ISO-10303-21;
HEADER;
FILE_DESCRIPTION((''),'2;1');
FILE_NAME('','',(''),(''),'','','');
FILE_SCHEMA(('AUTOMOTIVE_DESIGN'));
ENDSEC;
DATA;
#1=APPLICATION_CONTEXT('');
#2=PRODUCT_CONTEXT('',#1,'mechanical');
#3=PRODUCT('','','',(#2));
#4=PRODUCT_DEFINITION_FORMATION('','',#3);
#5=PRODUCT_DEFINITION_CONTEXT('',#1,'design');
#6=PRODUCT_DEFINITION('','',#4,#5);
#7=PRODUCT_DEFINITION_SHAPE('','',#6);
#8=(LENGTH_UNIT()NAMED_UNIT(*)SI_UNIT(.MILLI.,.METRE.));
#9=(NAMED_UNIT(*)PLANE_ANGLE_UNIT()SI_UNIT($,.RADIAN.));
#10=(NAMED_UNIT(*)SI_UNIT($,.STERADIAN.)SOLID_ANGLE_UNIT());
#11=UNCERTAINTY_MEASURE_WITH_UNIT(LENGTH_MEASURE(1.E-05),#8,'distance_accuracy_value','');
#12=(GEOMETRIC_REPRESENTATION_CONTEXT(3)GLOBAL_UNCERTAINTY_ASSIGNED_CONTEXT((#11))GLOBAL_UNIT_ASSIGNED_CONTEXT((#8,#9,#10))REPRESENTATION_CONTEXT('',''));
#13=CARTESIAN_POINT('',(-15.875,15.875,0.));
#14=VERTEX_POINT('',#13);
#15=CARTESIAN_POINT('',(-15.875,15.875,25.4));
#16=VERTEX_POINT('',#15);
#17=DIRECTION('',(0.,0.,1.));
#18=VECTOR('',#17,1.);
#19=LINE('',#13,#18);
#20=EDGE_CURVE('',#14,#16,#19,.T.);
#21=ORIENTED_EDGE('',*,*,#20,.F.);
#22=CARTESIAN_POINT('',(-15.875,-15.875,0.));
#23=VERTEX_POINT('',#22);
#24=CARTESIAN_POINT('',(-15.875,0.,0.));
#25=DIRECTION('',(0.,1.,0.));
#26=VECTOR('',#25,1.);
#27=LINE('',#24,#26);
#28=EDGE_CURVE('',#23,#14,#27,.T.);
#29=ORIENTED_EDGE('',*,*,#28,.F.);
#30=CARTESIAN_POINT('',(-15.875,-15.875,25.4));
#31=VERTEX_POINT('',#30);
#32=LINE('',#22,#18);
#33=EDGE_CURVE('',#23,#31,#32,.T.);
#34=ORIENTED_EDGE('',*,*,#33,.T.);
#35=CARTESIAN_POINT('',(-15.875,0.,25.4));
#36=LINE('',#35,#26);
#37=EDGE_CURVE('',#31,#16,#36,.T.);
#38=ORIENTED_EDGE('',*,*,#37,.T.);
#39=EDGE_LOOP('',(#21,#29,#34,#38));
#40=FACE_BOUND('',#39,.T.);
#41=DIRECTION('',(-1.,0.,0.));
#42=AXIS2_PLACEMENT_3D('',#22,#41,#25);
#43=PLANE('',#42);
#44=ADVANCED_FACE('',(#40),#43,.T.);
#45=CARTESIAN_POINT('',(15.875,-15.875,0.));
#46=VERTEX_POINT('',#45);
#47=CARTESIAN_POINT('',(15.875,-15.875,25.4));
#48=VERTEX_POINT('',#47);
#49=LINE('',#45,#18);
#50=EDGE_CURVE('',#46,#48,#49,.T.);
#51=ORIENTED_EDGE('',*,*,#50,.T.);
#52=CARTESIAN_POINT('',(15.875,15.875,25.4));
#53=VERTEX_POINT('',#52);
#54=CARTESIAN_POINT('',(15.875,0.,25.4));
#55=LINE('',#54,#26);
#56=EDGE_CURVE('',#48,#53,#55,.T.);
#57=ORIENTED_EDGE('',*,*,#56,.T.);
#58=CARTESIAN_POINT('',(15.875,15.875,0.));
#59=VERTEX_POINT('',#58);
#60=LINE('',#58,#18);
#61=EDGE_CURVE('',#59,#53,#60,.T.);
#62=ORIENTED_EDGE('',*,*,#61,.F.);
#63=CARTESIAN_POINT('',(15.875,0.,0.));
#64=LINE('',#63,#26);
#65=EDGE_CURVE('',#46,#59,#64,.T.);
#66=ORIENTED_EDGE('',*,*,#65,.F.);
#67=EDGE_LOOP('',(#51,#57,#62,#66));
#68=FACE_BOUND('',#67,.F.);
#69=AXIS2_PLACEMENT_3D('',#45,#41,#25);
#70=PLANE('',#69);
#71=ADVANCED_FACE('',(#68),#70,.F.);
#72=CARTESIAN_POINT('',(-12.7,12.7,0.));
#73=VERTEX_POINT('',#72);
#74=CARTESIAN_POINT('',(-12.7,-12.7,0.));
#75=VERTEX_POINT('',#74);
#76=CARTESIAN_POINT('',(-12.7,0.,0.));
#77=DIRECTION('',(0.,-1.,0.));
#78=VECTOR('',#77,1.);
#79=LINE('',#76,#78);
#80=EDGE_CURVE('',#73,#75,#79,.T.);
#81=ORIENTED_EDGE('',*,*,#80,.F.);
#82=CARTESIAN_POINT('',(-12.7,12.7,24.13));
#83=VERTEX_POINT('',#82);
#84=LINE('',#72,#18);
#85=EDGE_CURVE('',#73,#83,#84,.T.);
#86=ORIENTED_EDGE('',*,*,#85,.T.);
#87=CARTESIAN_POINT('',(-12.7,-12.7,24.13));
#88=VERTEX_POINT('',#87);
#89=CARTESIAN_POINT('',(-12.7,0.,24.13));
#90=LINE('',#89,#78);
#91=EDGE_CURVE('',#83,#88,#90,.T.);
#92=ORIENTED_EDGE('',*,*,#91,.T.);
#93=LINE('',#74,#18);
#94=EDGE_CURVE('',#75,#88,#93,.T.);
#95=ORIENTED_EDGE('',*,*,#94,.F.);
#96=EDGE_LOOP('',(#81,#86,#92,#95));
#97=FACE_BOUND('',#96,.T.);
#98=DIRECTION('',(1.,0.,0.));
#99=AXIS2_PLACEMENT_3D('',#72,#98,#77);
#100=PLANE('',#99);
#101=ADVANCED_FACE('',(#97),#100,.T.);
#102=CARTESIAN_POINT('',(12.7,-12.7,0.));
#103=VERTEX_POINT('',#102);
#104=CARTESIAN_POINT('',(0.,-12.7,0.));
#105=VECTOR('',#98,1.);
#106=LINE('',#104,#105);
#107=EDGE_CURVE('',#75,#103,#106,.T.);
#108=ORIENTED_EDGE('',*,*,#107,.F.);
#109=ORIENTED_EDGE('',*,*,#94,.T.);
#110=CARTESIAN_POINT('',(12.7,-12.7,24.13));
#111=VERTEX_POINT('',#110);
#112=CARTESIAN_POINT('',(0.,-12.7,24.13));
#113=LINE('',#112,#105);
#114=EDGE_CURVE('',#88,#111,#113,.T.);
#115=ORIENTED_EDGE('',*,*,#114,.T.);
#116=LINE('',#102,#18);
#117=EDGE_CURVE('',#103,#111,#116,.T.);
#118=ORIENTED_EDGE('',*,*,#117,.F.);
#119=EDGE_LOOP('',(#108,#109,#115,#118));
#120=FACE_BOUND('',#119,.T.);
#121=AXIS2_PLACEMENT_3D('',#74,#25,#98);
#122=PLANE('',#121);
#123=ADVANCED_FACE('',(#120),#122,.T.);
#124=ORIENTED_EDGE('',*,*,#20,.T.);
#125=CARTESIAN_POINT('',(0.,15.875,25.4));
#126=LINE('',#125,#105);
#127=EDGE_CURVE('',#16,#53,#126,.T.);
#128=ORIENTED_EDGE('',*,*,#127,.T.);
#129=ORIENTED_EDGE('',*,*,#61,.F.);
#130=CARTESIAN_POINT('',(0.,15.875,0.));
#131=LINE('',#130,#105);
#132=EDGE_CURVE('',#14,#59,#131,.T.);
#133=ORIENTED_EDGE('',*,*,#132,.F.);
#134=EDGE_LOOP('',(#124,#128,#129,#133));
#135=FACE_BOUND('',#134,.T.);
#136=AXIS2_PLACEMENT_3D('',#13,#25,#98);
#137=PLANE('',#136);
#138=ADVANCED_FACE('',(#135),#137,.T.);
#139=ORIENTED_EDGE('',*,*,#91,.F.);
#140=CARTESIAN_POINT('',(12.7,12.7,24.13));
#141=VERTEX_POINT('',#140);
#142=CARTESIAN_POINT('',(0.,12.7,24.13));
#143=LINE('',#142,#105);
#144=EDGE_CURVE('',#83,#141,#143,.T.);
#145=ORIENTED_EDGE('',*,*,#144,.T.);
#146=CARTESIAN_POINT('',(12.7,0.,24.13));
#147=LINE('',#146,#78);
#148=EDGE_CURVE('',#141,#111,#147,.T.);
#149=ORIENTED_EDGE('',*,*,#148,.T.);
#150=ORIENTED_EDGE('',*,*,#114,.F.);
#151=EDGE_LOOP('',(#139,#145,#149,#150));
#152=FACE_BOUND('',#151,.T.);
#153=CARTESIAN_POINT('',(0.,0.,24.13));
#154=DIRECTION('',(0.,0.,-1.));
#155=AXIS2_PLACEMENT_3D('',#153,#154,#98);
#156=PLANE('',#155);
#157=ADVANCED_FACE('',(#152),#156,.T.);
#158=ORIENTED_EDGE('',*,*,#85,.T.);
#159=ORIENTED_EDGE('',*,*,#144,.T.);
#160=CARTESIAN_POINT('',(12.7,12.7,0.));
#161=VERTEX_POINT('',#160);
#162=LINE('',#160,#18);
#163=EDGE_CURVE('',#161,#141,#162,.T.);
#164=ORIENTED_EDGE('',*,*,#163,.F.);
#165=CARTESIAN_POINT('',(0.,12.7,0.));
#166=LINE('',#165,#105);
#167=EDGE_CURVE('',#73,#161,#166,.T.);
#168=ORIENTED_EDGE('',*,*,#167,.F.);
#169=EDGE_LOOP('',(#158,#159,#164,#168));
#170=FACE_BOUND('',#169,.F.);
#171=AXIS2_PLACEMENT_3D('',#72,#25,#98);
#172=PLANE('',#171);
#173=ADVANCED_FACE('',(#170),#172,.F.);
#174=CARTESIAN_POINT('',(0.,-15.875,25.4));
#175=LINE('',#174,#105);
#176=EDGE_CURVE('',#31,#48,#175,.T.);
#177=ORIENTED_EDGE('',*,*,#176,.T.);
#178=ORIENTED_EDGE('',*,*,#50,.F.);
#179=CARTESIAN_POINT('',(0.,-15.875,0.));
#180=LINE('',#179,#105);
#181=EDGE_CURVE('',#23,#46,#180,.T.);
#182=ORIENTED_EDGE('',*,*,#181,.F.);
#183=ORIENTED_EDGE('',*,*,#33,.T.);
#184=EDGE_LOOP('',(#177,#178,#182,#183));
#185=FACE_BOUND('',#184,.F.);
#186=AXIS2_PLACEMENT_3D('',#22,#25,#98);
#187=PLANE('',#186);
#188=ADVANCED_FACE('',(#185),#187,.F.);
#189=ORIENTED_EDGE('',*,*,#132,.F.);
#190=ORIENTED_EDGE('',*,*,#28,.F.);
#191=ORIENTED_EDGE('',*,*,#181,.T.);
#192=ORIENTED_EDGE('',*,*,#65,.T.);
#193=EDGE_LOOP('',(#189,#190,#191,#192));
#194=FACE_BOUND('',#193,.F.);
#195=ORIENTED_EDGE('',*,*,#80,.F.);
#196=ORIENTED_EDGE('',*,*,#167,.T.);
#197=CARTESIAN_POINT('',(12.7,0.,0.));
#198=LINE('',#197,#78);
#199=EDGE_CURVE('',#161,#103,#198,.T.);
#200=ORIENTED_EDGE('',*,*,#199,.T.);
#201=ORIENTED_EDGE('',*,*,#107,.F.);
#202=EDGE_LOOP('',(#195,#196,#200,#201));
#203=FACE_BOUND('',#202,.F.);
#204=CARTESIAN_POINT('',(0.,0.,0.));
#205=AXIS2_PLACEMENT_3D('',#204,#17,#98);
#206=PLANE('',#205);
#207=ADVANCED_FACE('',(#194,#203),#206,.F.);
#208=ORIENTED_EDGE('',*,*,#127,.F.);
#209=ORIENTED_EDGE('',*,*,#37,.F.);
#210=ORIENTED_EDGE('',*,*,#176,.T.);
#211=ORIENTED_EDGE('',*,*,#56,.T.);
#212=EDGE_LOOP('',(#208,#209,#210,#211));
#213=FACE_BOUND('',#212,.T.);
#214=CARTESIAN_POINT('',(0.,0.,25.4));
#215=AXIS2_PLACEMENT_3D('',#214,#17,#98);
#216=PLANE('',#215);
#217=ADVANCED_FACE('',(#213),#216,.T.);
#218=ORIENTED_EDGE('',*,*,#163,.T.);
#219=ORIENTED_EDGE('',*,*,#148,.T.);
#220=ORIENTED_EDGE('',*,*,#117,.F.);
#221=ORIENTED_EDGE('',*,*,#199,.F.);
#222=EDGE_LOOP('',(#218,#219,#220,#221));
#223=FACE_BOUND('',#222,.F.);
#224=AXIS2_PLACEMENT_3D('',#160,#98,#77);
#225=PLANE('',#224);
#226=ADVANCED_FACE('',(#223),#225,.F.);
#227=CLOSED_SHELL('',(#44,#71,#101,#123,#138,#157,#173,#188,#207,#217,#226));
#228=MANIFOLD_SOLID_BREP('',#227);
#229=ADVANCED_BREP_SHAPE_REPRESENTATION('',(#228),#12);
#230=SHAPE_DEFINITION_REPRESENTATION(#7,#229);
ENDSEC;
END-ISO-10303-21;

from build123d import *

# Parameters (mm, degrees)
F0_W     = 31.75
F0_H     = 31.75
F1_DEPTH = 25.4
F2_W     = 25.4
F2_H     = 25.4
F3_DEPTH = 24.13


with BuildPart() as f1:
    # F0 (on Top) → F1 (new body)
    with BuildSketch(Plane.XY):
        Rectangle(F0_W, F0_H)
    extrude(amount=F1_DEPTH)

    # F2 (on face) → F3 (cut)
    with BuildSketch(Plane(origin=(0, 0, 0), x_dir=(1, 0, 0), z_dir=(0, 0, -1))):
        Rectangle(F2_W, F2_H)
    extrude(amount=-F3_DEPTH, mode=Mode.SUBTRACT)


solid = f1.part
